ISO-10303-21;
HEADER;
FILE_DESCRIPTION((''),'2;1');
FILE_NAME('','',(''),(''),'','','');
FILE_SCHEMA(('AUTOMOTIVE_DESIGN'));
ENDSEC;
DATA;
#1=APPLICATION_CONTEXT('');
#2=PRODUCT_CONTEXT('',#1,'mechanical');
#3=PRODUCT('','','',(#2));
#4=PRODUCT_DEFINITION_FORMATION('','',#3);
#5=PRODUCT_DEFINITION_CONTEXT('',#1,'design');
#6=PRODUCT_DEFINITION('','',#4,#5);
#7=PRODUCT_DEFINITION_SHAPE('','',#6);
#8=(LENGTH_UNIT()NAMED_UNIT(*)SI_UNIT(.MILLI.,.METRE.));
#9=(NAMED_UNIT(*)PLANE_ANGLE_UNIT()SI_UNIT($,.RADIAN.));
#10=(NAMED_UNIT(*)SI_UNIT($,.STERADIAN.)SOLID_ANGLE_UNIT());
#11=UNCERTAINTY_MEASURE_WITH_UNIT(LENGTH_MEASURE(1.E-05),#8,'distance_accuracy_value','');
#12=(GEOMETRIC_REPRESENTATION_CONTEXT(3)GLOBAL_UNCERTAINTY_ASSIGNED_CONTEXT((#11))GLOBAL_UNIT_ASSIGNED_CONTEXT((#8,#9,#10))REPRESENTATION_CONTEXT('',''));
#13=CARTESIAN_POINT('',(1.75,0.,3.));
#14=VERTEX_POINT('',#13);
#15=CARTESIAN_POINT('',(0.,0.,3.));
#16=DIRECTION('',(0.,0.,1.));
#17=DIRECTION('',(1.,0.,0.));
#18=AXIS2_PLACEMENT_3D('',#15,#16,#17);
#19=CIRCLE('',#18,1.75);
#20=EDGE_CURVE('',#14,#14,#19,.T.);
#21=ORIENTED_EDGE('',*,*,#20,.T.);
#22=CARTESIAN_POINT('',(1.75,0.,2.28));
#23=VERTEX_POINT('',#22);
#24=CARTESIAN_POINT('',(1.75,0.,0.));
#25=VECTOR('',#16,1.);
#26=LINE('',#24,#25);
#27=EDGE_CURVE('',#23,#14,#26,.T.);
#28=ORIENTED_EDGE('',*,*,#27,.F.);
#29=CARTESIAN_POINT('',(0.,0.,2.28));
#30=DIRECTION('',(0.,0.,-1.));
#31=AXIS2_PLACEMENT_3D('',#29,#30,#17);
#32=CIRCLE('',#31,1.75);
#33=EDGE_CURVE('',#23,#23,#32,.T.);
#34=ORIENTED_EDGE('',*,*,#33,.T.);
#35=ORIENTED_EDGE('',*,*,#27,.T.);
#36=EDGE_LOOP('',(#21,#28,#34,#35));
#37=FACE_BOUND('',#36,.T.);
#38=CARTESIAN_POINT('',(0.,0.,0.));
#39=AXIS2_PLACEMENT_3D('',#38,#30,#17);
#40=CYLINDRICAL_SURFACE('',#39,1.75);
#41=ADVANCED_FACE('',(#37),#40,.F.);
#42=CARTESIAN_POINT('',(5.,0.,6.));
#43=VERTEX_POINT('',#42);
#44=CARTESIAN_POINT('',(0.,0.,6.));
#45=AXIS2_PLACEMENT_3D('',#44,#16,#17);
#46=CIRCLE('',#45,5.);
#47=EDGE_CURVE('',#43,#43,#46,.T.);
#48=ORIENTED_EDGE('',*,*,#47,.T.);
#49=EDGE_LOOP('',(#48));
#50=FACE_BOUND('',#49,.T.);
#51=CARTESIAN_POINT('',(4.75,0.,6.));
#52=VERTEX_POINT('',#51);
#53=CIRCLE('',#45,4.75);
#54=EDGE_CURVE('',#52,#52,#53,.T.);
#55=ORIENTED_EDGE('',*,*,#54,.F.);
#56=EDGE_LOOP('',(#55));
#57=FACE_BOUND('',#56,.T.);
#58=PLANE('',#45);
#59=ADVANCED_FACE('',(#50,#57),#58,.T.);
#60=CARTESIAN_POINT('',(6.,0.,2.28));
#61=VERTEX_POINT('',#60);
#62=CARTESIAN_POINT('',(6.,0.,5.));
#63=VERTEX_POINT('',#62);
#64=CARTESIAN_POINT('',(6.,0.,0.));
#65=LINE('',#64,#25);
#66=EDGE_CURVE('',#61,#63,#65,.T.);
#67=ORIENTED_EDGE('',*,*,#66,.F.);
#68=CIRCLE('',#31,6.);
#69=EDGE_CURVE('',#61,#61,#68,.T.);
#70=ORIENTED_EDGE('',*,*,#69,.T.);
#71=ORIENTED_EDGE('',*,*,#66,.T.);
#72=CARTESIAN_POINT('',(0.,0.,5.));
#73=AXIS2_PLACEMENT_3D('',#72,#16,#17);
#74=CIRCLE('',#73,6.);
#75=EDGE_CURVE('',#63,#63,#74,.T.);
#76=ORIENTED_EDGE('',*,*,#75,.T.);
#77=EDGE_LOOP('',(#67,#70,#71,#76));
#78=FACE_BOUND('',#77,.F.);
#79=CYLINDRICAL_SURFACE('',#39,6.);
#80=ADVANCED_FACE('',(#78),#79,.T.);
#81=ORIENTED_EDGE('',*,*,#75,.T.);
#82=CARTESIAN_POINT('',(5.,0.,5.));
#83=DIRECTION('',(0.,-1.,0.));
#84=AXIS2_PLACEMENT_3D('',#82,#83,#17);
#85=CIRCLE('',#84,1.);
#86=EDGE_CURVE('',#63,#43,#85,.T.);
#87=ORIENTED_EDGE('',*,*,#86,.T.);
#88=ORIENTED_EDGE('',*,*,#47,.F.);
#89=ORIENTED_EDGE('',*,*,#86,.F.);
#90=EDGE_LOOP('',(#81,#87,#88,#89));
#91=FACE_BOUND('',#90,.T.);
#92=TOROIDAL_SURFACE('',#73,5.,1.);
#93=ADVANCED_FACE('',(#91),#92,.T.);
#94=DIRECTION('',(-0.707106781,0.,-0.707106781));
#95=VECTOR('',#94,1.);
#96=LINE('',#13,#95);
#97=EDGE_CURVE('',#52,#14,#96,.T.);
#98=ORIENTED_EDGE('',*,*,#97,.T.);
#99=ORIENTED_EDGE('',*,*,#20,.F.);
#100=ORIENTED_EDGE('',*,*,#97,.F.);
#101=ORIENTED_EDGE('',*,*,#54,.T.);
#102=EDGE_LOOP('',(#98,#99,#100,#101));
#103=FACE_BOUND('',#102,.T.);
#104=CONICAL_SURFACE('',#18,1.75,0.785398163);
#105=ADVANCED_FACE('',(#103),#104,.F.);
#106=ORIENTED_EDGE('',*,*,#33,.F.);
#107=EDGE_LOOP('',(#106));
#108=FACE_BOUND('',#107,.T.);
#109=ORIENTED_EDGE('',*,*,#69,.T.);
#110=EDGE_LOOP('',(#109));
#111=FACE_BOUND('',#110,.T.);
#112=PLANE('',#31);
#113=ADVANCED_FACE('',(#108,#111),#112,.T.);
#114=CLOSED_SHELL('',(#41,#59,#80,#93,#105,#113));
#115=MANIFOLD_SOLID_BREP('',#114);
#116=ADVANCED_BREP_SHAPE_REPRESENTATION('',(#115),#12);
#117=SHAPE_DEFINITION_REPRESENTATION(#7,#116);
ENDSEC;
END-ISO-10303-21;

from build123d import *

# Parameters (mm, degrees)
F0_R        = 6
F0_R_2      = 4
F0_R_3      = 1.75
F1_DEPTH    = 6
F2_R        = 1
F3_SIZE     = 3
F1_FACE_R   = 6
F1_FACE_R_2 = 1.75
F4_DEPTH    = 2.28


with BuildPart() as f1:
    # F0 (on Top) → F1 (new body)
    with BuildSketch(Plane.XY):
        Circle(F0_R)
        Circle(F0_R_2, mode=Mode.SUBTRACT)
        Circle(F0_R_2)
        Circle(F0_R_3, mode=Mode.SUBTRACT)
    extrude(amount=F1_DEPTH)

    # F2
    f2_edges = [f1.edges().sort_by_distance(p)[0] for p in [
        (-6, 0, 6),
    ]]
    fillet(f2_edges, radius=F2_R)

    # F3
    f3_edges = [f1.edges().sort_by_distance(p)[0] for p in [
        (-1.75, 0, 6),
    ]]
    chamfer(f3_edges, length=F3_SIZE)

    # F1_face (on face) → F4 (cut)
    with BuildSketch(Plane(origin=(0, 0, 0), x_dir=(1, 0, 0), z_dir=(0, 0, -1))):
        Circle(F1_FACE_R)
        Circle(F1_FACE_R_2, mode=Mode.SUBTRACT)
    extrude(amount=-F4_DEPTH, mode=Mode.SUBTRACT)


solid = f1.part
